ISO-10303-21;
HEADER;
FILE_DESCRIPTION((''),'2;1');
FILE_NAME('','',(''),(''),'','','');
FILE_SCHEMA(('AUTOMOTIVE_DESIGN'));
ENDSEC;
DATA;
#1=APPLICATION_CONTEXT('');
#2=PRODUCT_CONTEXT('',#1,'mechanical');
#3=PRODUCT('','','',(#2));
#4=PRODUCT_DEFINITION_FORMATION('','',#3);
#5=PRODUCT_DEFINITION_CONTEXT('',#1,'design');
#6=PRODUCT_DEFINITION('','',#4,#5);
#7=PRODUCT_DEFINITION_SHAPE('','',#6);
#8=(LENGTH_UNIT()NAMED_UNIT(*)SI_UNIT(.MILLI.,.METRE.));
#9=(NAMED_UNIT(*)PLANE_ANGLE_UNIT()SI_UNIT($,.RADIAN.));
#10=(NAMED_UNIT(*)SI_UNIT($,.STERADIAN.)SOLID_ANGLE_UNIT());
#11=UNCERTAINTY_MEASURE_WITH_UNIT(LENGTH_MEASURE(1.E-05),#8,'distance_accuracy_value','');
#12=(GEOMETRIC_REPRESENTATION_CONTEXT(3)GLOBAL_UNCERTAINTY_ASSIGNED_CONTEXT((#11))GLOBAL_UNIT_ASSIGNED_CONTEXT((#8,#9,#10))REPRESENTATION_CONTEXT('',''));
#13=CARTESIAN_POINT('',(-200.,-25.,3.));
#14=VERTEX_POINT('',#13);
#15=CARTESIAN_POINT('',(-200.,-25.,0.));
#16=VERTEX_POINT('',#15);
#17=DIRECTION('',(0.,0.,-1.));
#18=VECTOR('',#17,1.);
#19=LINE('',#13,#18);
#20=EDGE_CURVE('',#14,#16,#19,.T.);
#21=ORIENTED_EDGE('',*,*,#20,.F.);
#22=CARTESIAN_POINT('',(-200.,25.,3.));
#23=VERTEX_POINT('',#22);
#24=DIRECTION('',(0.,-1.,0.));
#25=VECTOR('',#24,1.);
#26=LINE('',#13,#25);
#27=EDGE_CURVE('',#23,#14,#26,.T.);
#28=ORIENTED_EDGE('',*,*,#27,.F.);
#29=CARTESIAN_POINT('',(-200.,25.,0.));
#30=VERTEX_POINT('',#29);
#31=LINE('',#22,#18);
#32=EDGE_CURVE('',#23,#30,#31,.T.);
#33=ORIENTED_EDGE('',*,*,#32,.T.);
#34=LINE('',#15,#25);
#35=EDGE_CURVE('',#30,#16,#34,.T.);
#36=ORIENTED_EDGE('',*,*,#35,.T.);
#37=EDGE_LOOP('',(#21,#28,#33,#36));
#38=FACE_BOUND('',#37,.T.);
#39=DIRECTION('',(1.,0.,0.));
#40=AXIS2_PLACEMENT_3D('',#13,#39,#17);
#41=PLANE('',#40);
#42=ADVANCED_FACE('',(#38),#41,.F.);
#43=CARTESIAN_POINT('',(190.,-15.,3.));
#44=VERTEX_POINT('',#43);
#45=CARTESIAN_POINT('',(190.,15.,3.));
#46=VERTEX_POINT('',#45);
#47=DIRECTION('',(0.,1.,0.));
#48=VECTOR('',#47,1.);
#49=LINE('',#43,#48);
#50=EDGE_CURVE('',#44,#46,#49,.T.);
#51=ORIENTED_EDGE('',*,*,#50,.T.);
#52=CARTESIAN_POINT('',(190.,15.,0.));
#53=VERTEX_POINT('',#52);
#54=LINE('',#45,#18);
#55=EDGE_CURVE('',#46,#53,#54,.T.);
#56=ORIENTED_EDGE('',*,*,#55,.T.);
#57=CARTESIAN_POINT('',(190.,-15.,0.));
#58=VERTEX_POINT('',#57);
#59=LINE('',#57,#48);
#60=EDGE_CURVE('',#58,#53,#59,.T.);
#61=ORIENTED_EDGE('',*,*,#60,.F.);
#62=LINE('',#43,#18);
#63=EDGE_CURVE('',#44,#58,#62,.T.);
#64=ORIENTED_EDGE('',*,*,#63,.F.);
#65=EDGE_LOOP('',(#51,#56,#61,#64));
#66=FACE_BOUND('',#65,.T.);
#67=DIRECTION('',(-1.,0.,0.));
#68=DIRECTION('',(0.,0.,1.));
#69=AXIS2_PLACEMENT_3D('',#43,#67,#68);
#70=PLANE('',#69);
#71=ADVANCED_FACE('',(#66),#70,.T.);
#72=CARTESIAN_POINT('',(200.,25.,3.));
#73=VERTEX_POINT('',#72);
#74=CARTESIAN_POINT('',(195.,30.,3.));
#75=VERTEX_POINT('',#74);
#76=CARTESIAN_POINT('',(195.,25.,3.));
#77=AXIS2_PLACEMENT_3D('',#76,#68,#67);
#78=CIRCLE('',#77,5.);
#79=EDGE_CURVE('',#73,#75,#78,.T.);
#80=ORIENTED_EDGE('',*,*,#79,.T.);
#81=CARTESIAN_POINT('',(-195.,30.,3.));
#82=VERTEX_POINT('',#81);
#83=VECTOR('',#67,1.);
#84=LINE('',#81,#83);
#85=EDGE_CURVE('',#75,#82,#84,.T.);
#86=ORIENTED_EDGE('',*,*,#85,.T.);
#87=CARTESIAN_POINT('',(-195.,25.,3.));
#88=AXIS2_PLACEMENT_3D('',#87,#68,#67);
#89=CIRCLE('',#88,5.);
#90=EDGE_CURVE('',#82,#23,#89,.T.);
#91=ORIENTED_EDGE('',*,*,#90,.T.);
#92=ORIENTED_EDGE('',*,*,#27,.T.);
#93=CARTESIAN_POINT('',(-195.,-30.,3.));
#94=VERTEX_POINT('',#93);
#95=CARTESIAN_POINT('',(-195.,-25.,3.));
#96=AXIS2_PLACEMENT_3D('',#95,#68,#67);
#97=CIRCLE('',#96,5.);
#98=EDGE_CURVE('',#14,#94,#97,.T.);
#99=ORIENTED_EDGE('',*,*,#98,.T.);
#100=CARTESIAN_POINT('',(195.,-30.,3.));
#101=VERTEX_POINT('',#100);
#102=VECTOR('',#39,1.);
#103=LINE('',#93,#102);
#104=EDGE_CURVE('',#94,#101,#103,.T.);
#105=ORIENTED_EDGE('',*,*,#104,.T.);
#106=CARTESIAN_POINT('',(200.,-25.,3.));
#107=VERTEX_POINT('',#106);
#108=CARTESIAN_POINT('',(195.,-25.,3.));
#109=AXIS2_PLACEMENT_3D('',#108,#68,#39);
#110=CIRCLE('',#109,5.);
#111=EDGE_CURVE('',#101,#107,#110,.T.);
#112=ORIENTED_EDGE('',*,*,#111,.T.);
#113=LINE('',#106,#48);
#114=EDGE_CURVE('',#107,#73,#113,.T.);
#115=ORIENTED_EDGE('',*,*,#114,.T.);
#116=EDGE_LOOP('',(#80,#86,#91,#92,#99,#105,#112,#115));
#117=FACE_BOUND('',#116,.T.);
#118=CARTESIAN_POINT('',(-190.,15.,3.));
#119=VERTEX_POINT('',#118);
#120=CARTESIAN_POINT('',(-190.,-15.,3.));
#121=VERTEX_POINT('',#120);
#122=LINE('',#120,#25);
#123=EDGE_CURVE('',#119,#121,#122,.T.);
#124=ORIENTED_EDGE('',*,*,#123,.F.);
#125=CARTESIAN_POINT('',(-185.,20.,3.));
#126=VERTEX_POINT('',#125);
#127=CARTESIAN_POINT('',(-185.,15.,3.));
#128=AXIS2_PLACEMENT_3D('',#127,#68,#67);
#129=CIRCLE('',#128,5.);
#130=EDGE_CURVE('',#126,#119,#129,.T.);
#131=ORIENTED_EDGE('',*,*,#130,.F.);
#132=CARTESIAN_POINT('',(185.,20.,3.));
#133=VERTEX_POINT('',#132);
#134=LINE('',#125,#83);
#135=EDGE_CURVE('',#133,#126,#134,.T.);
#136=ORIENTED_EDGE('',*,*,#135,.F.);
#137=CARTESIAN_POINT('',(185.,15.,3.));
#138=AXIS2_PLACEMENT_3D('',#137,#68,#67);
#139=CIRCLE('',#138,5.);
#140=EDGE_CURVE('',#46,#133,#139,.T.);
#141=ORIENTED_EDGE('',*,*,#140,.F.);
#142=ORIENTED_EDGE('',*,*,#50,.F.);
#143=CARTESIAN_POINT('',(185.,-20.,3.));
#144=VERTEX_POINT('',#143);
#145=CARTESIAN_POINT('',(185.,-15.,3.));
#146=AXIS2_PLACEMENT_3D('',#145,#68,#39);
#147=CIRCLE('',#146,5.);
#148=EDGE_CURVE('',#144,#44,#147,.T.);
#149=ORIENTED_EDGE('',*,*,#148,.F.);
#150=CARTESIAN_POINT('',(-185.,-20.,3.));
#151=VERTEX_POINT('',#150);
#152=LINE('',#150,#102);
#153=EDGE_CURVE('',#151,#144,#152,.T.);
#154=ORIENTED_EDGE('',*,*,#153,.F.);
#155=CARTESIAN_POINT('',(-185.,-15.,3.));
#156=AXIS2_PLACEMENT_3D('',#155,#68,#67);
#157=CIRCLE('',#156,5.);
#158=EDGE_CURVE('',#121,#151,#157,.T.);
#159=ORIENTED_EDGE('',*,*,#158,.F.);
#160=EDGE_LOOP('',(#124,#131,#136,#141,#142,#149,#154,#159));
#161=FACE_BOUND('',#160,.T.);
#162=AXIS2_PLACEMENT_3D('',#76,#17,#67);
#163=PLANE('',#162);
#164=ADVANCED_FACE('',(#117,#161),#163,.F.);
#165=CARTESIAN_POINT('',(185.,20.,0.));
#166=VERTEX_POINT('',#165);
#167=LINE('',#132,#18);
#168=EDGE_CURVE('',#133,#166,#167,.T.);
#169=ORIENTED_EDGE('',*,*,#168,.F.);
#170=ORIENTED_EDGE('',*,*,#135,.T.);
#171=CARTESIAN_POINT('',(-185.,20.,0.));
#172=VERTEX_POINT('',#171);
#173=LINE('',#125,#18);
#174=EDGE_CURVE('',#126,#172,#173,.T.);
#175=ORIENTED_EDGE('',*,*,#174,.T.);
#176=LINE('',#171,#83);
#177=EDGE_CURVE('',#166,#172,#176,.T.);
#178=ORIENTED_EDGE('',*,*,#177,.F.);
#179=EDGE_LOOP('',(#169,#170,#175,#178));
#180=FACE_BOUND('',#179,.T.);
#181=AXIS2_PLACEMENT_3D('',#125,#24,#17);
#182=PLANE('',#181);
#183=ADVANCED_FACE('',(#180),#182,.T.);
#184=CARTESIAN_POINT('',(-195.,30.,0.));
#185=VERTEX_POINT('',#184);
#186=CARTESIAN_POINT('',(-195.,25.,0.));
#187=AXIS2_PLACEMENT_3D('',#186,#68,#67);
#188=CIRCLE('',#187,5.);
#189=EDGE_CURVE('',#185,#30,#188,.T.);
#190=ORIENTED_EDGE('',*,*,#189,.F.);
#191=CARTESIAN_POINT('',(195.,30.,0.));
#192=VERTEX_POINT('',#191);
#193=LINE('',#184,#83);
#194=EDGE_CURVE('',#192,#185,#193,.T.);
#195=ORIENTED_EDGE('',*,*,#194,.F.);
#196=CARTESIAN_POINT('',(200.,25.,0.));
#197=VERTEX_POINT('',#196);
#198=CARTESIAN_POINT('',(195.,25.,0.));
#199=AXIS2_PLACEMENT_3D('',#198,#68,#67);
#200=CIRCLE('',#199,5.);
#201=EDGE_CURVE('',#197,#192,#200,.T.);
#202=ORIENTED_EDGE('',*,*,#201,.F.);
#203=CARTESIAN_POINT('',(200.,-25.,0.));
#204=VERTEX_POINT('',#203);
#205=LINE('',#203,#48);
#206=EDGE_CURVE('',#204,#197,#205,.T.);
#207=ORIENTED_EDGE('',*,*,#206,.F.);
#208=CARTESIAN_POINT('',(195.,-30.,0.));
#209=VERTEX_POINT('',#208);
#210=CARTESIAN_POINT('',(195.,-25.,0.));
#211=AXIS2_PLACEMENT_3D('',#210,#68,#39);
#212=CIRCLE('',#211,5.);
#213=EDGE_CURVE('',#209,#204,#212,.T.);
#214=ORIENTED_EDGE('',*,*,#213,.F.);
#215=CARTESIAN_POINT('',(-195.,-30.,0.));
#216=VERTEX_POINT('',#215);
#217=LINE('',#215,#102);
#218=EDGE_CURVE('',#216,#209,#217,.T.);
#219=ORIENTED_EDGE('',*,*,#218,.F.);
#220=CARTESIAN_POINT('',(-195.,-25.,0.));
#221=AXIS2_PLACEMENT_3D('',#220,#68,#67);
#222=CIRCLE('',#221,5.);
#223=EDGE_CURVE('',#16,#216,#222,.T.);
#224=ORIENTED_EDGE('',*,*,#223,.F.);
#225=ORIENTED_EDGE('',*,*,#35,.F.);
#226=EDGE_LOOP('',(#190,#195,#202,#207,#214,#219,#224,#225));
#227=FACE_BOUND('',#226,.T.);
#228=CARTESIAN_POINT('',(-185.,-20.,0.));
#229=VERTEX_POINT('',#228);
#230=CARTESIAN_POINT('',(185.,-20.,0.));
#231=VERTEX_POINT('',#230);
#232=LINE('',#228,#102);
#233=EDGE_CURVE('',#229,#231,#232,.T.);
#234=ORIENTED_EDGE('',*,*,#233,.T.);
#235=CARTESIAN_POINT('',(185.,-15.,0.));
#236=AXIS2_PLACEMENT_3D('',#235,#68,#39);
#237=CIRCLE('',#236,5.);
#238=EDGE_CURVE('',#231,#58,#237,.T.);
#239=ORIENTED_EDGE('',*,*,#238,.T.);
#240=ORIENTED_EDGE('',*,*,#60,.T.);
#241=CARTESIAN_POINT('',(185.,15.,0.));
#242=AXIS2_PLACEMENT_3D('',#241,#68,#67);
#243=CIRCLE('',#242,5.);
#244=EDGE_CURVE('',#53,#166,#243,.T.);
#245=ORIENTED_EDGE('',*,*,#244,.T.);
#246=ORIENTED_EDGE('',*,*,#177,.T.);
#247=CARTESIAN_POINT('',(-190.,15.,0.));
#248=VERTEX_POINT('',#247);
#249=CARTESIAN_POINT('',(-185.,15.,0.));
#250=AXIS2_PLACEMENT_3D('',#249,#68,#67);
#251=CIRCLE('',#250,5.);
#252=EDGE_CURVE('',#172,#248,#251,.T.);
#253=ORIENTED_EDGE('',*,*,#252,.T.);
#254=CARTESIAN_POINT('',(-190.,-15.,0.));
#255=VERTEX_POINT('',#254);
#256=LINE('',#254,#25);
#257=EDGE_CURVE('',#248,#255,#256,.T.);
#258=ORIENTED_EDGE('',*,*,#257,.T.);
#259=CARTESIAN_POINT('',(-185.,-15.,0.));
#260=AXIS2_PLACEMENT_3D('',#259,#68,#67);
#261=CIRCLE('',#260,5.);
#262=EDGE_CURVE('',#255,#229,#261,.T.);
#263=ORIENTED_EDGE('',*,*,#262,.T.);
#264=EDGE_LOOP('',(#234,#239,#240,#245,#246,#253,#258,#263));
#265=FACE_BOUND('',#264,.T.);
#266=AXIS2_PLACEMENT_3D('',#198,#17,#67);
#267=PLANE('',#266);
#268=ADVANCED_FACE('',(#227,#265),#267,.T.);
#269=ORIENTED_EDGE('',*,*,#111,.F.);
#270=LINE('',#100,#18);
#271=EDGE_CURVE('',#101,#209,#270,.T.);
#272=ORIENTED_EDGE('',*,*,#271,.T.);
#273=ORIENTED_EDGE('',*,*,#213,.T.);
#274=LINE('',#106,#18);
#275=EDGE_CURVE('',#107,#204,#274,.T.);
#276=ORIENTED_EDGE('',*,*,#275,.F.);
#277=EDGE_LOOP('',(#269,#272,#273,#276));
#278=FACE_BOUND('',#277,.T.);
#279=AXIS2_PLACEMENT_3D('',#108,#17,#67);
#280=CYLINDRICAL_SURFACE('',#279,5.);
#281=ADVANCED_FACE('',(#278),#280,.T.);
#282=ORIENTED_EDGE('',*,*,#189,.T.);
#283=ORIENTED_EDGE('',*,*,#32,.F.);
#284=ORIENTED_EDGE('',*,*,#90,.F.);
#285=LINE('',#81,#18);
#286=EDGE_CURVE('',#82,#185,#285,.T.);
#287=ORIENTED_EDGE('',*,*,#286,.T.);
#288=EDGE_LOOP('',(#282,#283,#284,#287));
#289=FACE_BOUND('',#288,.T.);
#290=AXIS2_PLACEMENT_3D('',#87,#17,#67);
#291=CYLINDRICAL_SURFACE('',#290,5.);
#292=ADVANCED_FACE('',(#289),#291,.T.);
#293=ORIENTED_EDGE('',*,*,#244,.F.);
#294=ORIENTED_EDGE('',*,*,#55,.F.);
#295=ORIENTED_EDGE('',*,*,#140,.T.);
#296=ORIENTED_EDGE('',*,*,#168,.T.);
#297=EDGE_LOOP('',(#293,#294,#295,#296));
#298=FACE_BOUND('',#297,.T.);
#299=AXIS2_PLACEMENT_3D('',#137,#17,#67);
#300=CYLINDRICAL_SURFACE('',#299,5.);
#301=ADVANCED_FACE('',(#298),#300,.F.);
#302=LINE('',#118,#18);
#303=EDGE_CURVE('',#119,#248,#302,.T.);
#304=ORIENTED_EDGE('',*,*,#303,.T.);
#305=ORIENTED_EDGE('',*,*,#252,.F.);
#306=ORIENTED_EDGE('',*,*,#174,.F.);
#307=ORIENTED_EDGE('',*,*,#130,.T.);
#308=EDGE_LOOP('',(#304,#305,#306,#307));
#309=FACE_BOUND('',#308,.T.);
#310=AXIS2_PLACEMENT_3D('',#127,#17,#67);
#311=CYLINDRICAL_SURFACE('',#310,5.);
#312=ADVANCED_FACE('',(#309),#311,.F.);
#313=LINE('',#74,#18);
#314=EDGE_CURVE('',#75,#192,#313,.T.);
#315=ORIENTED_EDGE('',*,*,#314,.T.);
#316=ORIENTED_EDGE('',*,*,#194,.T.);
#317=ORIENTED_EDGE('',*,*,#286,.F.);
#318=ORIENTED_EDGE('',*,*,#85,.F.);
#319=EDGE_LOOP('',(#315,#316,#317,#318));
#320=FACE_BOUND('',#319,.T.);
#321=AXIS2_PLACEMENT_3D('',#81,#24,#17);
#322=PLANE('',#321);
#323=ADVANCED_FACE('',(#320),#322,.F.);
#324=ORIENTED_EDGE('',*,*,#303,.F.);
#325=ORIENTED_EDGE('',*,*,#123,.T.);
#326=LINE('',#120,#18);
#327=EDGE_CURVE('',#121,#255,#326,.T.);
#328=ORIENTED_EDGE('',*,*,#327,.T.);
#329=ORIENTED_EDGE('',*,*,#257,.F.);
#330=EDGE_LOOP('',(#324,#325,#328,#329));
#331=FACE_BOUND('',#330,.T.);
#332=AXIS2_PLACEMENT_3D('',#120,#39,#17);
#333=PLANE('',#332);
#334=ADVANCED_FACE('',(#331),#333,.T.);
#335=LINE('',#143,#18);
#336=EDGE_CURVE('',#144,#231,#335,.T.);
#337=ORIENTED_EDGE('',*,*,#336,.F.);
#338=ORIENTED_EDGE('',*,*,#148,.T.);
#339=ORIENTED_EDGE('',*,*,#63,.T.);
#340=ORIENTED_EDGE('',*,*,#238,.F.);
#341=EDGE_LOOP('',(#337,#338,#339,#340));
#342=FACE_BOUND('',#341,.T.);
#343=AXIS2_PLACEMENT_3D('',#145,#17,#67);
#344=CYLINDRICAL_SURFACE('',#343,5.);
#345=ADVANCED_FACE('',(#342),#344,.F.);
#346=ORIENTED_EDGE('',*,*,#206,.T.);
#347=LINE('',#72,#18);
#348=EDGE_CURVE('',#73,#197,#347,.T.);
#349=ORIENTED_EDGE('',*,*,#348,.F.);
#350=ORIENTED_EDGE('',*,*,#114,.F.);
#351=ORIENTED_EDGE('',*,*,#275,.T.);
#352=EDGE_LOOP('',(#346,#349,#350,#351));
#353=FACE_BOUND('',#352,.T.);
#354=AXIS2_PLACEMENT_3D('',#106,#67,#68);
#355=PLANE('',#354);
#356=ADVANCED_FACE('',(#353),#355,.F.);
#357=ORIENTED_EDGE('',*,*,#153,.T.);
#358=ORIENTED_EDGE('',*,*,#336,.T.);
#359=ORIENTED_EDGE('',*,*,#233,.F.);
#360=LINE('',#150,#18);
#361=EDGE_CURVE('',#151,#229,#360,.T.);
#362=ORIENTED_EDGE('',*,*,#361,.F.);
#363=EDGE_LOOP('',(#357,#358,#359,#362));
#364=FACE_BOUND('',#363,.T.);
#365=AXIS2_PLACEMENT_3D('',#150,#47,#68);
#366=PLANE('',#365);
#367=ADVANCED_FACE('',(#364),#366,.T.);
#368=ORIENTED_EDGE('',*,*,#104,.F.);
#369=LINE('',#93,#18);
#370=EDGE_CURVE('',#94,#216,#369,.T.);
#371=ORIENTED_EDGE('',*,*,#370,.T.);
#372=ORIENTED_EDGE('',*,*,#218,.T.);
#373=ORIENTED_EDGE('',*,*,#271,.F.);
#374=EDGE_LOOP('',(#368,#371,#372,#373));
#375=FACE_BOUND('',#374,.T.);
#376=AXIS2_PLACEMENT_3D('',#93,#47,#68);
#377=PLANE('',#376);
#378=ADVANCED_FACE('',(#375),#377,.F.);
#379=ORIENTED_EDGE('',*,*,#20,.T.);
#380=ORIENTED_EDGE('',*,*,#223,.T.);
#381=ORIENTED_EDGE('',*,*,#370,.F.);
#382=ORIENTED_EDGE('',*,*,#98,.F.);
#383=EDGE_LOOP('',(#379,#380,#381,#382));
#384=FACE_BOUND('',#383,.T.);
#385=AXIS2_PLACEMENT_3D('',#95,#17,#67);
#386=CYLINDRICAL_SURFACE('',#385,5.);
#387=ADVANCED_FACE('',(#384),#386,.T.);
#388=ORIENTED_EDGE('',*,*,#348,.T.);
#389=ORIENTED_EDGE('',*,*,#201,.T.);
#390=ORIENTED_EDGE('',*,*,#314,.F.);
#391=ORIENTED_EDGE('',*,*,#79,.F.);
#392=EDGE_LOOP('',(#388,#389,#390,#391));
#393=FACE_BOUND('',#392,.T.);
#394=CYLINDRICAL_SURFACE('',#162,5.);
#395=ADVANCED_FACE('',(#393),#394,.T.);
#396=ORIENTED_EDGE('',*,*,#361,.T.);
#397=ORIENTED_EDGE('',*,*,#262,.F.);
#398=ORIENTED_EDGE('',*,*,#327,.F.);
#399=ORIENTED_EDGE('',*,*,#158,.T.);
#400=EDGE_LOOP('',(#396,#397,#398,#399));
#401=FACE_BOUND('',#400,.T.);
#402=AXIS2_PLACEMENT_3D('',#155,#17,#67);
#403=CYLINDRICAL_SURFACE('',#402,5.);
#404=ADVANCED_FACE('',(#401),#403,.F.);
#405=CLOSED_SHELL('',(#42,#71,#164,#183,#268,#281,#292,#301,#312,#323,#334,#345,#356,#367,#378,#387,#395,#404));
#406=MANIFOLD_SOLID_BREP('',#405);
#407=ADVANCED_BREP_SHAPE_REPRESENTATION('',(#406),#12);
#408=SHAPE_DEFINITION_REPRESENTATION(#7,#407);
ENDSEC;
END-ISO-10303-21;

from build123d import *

# Parameters (mm, degrees)
EXTRUDE1_DEPTH = 3


with BuildPart() as part:
    # Sketch1 → Extrude1 (new body)
    with BuildSketch(Plane.XY):
        with BuildLine():
            Line((-195, -30), (195, -30))
            ThreePointArc((195, -30), (198.535533906, -28.535533906), (200, -25))
            Line((200, -25), (200, 25))
            ThreePointArc((200, 25), (198.535533906, 28.535533906), (195, 30))
            Line((195, 30), (-195, 30))
            ThreePointArc((-195, 30), (-198.535533906, 28.535533906), (-200, 25))
            Line((-200, 25), (-200, -25))
            ThreePointArc((-200, -25), (-198.535533906, -28.535533906), (-195, -30))
        make_face()
        with BuildLine():
            Line((-185, -20), (185, -20))
            ThreePointArc((185, -20), (188.535533906, -18.535533906), (190, -15))
            Line((190, -15), (190, 15))
            ThreePointArc((190, 15), (188.535533906, 18.535533906), (185, 20))
            Line((185, 20), (-185, 20))
            ThreePointArc((-185, 20), (-188.535533906, 18.535533906), (-190, 15))
            Line((-190, 15), (-190, -15))
            ThreePointArc((-190, -15), (-188.535533906, -18.535533906), (-185, -20))
        make_face(mode=Mode.SUBTRACT)
    extrude(amount=EXTRUDE1_DEPTH)


solid = part.part
